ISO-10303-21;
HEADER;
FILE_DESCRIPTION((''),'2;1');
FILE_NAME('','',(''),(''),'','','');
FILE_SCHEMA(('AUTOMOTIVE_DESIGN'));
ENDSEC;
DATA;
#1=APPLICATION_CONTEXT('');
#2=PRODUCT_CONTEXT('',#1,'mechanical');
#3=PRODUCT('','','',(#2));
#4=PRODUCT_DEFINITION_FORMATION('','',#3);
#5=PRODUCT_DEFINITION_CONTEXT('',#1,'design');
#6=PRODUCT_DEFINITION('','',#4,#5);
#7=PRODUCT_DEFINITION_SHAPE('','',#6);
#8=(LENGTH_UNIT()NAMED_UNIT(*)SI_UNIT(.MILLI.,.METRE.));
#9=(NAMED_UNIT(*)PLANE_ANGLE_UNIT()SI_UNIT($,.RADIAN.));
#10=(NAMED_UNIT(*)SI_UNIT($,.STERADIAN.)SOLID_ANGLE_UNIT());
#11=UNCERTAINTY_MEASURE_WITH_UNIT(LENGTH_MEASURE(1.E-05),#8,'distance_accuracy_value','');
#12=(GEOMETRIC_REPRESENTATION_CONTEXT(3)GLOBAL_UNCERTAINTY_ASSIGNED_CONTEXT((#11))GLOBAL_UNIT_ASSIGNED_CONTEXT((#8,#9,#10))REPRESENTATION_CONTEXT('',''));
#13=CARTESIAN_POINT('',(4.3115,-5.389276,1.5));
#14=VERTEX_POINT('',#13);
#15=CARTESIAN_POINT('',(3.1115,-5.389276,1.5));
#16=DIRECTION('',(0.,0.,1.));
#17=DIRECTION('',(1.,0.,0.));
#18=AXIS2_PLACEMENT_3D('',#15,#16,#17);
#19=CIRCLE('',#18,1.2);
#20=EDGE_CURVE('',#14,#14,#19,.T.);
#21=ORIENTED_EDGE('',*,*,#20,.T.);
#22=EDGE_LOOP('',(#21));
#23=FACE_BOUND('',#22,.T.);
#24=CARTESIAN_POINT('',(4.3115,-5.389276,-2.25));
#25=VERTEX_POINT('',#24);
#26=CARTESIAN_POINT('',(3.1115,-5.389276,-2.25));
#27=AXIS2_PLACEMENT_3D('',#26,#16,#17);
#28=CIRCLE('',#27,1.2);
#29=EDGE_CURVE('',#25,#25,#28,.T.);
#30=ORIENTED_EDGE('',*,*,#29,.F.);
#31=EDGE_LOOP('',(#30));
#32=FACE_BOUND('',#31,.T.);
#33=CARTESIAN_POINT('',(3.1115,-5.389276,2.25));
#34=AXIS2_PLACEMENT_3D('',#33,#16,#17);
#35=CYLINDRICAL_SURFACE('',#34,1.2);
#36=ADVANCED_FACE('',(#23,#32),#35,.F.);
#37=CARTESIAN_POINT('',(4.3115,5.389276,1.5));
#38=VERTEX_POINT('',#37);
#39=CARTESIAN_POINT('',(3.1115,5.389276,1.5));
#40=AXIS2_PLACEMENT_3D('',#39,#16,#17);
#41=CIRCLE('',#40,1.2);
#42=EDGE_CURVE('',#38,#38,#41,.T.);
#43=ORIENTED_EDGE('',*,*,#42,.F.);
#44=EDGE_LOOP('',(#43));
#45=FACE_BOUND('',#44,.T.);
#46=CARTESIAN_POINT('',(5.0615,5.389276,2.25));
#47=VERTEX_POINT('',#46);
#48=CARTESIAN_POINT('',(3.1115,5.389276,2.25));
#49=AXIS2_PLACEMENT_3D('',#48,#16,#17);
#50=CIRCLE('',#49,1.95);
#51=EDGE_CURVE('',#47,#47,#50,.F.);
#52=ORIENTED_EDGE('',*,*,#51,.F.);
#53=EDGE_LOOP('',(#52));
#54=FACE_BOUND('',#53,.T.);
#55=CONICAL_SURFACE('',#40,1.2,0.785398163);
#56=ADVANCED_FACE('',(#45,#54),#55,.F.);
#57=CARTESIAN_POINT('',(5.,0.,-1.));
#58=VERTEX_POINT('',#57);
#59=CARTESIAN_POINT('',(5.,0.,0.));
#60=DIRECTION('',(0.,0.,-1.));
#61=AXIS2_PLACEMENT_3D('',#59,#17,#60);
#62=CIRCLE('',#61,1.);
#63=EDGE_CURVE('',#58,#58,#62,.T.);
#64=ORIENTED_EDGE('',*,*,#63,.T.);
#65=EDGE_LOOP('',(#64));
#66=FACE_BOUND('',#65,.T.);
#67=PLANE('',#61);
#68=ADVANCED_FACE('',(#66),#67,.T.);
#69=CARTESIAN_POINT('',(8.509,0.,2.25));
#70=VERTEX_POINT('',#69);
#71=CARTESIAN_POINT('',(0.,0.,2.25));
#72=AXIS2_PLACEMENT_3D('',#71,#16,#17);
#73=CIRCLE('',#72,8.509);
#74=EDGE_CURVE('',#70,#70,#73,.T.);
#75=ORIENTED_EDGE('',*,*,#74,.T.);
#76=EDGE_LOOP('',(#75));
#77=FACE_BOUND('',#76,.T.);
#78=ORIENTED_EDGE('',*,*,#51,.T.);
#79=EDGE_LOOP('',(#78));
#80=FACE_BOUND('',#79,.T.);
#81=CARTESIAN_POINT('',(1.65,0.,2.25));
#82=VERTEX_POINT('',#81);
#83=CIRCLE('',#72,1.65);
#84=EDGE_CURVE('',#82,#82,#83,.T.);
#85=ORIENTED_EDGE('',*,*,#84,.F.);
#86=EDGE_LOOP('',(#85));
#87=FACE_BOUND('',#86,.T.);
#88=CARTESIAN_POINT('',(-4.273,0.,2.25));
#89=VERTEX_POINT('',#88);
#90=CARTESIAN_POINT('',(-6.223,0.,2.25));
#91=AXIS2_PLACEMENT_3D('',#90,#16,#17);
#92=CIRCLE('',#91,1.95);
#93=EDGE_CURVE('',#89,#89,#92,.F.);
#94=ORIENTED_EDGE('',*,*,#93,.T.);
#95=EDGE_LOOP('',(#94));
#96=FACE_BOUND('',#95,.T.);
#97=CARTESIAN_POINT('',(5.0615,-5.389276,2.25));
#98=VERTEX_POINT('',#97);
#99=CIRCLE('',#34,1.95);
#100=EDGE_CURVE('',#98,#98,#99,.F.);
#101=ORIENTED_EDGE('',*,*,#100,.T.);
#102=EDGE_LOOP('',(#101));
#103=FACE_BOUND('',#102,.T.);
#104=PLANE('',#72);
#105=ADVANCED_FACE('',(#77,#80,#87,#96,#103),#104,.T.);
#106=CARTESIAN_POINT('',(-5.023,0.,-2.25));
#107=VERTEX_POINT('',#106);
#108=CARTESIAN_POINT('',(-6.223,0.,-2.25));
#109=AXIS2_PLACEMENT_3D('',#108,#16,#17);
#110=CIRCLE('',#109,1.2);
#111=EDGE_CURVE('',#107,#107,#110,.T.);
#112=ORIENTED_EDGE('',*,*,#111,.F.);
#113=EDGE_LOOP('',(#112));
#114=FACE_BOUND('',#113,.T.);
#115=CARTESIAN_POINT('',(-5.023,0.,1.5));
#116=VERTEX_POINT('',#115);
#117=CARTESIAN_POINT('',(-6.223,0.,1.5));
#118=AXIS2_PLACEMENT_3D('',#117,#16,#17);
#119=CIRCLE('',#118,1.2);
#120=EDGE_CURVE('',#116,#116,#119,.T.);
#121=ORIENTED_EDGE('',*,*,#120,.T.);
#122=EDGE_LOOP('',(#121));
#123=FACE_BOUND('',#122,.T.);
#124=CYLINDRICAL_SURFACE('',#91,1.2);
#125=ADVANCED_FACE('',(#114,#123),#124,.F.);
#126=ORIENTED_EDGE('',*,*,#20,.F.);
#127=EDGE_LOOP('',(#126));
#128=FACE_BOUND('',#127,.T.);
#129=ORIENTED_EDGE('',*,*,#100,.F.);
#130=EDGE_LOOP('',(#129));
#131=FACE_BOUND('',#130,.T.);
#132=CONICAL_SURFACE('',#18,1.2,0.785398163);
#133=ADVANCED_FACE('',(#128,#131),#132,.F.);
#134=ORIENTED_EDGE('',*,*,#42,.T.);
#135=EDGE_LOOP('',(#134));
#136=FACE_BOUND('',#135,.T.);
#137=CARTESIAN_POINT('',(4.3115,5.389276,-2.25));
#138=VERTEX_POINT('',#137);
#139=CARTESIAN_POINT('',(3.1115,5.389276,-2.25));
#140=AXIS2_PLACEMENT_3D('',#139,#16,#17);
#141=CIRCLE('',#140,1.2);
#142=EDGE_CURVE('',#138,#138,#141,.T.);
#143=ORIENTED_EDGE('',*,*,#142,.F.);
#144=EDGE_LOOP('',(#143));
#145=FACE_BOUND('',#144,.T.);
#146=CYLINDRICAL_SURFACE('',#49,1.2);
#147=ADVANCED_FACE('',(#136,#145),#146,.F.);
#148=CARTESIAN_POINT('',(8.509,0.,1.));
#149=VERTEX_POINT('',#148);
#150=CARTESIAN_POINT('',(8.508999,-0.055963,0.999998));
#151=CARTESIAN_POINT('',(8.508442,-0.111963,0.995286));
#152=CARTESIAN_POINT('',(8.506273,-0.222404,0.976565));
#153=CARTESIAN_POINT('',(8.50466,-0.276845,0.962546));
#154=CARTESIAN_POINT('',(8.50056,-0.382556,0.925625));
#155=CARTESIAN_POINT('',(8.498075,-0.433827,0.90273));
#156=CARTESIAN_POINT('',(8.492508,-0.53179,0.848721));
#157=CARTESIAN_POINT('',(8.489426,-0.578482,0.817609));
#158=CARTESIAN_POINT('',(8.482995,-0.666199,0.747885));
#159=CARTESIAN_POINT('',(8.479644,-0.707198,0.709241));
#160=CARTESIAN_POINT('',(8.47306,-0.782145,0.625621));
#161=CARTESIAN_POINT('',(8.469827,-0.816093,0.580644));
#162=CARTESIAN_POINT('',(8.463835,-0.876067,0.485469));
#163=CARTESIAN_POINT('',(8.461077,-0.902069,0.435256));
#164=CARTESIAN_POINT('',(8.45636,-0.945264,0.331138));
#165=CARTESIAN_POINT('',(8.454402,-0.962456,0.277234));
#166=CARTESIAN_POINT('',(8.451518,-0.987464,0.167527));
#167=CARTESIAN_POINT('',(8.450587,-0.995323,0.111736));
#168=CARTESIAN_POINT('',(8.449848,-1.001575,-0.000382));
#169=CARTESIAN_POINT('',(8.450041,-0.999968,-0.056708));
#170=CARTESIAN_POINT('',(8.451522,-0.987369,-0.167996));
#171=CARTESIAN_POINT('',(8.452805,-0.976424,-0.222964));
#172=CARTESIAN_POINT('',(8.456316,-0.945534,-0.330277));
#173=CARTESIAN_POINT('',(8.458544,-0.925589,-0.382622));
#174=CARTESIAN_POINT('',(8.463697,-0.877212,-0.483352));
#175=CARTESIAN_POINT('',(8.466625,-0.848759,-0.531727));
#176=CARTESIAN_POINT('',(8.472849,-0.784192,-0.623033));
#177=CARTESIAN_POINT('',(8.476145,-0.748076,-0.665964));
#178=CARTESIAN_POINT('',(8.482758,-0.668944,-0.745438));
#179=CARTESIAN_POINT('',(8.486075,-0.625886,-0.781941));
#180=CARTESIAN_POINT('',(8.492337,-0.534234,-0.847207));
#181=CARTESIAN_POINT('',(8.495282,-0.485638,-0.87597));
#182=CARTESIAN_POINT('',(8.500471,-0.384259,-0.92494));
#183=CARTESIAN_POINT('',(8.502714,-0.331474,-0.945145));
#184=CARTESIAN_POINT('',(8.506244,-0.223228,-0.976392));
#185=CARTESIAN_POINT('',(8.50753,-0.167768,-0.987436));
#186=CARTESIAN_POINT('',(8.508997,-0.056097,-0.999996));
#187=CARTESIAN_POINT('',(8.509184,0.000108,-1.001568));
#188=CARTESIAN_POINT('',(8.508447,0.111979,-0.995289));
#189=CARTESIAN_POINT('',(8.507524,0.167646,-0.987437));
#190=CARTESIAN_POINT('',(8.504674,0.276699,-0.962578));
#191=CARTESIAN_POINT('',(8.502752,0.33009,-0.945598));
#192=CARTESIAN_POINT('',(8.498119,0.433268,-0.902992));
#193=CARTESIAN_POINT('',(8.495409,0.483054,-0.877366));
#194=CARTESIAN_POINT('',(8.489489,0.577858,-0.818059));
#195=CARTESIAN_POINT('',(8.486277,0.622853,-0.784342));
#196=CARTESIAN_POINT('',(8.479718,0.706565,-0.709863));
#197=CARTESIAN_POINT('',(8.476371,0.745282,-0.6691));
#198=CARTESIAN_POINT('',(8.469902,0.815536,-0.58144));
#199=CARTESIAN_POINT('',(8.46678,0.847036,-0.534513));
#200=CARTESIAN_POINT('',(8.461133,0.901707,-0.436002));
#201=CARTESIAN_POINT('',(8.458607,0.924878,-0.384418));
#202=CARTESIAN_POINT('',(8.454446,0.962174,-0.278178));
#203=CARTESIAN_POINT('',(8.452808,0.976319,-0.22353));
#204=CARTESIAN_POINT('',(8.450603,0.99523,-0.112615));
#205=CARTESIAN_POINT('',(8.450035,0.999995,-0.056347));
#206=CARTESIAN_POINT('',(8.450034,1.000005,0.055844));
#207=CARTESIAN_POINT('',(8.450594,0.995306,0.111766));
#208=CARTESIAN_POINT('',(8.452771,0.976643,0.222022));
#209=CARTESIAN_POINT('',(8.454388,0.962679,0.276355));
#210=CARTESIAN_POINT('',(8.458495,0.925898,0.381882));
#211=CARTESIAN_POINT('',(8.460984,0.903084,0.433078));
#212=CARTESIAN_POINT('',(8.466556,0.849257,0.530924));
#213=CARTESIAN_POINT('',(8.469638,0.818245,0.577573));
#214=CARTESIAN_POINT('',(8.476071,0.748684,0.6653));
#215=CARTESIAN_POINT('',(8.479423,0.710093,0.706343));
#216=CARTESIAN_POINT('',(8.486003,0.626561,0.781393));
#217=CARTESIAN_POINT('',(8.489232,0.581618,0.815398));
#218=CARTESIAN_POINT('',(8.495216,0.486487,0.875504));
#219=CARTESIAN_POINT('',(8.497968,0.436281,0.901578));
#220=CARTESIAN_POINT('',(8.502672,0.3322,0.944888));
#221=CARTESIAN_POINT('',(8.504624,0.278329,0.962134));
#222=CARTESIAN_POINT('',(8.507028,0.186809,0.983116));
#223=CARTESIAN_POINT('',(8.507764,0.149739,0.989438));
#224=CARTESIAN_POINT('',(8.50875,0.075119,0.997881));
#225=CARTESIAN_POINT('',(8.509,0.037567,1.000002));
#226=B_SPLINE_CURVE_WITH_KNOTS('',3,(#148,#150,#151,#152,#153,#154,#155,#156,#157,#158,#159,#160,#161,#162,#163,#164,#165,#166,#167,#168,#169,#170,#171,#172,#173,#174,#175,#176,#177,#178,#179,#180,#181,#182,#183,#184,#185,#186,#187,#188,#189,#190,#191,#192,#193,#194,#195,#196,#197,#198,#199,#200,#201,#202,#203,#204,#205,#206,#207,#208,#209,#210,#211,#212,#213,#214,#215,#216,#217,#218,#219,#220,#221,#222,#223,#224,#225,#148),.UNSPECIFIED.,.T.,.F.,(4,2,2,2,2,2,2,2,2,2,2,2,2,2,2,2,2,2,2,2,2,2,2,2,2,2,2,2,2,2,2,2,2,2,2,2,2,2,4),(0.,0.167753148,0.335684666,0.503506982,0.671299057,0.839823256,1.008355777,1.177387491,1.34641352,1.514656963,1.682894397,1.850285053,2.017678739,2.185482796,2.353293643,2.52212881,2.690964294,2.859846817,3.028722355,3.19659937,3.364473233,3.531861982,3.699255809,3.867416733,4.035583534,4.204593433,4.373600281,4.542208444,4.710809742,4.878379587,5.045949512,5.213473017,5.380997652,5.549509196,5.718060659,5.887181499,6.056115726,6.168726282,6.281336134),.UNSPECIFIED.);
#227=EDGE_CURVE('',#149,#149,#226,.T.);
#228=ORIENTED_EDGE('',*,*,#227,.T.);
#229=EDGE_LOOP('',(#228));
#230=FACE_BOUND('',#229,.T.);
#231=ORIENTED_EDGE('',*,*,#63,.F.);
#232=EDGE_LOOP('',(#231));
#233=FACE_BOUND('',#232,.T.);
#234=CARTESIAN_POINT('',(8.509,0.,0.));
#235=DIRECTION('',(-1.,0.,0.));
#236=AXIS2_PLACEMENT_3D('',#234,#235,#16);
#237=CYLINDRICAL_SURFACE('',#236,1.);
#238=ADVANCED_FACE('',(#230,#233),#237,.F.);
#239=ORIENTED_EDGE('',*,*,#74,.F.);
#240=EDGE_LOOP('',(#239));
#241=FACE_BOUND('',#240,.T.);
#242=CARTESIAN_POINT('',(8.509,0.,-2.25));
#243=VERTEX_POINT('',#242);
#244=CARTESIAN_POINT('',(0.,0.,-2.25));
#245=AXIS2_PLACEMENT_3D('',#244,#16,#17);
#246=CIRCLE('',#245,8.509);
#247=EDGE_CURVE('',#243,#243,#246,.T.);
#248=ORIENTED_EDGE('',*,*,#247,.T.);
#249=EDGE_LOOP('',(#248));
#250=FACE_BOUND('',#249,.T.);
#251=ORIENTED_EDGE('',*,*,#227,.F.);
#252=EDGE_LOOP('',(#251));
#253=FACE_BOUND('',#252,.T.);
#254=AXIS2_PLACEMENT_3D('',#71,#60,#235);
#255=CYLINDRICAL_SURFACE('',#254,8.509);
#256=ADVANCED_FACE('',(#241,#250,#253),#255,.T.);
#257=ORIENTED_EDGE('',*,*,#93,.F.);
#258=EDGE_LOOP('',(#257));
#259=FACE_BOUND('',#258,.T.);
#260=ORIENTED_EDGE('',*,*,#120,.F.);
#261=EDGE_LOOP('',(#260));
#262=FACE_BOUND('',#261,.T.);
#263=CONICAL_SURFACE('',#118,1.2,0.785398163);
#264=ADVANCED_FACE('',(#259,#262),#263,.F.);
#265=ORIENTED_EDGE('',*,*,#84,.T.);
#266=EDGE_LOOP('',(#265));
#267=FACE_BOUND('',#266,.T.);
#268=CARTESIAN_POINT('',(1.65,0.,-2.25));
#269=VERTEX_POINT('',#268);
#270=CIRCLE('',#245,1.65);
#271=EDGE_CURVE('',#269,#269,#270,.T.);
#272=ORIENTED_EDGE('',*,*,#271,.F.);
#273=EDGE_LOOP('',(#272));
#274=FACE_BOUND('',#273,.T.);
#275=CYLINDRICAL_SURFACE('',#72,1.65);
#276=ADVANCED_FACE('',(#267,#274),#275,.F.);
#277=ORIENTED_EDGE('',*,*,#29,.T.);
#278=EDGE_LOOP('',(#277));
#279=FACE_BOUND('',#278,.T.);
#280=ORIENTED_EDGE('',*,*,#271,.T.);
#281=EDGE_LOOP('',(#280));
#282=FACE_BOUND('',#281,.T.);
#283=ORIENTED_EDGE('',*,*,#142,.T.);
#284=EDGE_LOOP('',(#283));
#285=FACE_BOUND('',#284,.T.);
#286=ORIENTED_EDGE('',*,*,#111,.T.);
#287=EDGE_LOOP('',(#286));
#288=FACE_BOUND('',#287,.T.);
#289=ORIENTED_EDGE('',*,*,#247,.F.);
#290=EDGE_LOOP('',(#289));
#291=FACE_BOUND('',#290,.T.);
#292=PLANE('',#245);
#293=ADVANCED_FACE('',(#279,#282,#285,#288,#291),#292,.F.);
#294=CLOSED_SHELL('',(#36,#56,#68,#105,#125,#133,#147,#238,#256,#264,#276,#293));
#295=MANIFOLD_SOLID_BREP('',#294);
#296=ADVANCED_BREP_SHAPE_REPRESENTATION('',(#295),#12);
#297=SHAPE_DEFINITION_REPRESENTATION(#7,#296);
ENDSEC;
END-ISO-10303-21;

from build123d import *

# Parameters (mm, degrees)
SKETCH2_R             = 8.509
BOSS_EXTRUDE1_DEPTH   = 2.25
M2_CLEARANCE_HOLE1_D  = 2.4
CHAMFER1_SIZE         = 0.75
CHAMFER2_SIZE         = 0.75
CHAMFER3_SIZE         = 0.75
M4X0_7_TAPPED_HOLE1_D = 3.3
SKETCH11_R            = 1
CUT_EXTRUDE1_DEPTH    = 4.509


with BuildPart() as part:
    # Sketch2 → Boss-Extrude1 (new body, symmetric)
    with BuildSketch(Plane.XY):
        Circle(SKETCH2_R)
    extrude(amount=BOSS_EXTRUDE1_DEPTH, both=True)

    # M2 Clearance Hole1 (through all)
    with Locations(Plane.XY.offset(2.25)):
        with Locations((-6.223, 0), (3.1115, 5.389276088), (3.1115, -5.389276088)):
            Hole(M2_CLEARANCE_HOLE1_D / 2)

    # Chamfer1
    chamfer1_edges = [part.edges().sort_by_distance(p)[0] for p in [
        (4.3115, -5.389276088, 2.25),
    ]]
    chamfer(chamfer1_edges, length=CHAMFER1_SIZE)

    # Chamfer2
    chamfer2_edges = [part.edges().sort_by_distance(p)[0] for p in [
        (4.3115, 5.389276088, 2.25),
    ]]
    chamfer(chamfer2_edges, length=CHAMFER2_SIZE)

    # Chamfer3
    chamfer3_edges = [part.edges().sort_by_distance(p)[0] for p in [
        (-5.023, 0, 2.25),
    ]]
    chamfer(chamfer3_edges, length=CHAMFER3_SIZE)

    # M4x0.7 Tapped Hole1 (through all)
    with Locations(Plane.XY.offset(2.25)):
        with Locations((0, 0)):
            Hole(M4X0_7_TAPPED_HOLE1_D / 2)

    # Sketch11 → Cut-Extrude1 (cut, through all)
    with BuildSketch(Plane(origin=(5, 0, 0), x_dir=(0, 0, -1), z_dir=(1, 0, 0))):
        Circle(SKETCH11_R)
    extrude(amount=CUT_EXTRUDE1_DEPTH, mode=Mode.SUBTRACT)


solid = part.part
